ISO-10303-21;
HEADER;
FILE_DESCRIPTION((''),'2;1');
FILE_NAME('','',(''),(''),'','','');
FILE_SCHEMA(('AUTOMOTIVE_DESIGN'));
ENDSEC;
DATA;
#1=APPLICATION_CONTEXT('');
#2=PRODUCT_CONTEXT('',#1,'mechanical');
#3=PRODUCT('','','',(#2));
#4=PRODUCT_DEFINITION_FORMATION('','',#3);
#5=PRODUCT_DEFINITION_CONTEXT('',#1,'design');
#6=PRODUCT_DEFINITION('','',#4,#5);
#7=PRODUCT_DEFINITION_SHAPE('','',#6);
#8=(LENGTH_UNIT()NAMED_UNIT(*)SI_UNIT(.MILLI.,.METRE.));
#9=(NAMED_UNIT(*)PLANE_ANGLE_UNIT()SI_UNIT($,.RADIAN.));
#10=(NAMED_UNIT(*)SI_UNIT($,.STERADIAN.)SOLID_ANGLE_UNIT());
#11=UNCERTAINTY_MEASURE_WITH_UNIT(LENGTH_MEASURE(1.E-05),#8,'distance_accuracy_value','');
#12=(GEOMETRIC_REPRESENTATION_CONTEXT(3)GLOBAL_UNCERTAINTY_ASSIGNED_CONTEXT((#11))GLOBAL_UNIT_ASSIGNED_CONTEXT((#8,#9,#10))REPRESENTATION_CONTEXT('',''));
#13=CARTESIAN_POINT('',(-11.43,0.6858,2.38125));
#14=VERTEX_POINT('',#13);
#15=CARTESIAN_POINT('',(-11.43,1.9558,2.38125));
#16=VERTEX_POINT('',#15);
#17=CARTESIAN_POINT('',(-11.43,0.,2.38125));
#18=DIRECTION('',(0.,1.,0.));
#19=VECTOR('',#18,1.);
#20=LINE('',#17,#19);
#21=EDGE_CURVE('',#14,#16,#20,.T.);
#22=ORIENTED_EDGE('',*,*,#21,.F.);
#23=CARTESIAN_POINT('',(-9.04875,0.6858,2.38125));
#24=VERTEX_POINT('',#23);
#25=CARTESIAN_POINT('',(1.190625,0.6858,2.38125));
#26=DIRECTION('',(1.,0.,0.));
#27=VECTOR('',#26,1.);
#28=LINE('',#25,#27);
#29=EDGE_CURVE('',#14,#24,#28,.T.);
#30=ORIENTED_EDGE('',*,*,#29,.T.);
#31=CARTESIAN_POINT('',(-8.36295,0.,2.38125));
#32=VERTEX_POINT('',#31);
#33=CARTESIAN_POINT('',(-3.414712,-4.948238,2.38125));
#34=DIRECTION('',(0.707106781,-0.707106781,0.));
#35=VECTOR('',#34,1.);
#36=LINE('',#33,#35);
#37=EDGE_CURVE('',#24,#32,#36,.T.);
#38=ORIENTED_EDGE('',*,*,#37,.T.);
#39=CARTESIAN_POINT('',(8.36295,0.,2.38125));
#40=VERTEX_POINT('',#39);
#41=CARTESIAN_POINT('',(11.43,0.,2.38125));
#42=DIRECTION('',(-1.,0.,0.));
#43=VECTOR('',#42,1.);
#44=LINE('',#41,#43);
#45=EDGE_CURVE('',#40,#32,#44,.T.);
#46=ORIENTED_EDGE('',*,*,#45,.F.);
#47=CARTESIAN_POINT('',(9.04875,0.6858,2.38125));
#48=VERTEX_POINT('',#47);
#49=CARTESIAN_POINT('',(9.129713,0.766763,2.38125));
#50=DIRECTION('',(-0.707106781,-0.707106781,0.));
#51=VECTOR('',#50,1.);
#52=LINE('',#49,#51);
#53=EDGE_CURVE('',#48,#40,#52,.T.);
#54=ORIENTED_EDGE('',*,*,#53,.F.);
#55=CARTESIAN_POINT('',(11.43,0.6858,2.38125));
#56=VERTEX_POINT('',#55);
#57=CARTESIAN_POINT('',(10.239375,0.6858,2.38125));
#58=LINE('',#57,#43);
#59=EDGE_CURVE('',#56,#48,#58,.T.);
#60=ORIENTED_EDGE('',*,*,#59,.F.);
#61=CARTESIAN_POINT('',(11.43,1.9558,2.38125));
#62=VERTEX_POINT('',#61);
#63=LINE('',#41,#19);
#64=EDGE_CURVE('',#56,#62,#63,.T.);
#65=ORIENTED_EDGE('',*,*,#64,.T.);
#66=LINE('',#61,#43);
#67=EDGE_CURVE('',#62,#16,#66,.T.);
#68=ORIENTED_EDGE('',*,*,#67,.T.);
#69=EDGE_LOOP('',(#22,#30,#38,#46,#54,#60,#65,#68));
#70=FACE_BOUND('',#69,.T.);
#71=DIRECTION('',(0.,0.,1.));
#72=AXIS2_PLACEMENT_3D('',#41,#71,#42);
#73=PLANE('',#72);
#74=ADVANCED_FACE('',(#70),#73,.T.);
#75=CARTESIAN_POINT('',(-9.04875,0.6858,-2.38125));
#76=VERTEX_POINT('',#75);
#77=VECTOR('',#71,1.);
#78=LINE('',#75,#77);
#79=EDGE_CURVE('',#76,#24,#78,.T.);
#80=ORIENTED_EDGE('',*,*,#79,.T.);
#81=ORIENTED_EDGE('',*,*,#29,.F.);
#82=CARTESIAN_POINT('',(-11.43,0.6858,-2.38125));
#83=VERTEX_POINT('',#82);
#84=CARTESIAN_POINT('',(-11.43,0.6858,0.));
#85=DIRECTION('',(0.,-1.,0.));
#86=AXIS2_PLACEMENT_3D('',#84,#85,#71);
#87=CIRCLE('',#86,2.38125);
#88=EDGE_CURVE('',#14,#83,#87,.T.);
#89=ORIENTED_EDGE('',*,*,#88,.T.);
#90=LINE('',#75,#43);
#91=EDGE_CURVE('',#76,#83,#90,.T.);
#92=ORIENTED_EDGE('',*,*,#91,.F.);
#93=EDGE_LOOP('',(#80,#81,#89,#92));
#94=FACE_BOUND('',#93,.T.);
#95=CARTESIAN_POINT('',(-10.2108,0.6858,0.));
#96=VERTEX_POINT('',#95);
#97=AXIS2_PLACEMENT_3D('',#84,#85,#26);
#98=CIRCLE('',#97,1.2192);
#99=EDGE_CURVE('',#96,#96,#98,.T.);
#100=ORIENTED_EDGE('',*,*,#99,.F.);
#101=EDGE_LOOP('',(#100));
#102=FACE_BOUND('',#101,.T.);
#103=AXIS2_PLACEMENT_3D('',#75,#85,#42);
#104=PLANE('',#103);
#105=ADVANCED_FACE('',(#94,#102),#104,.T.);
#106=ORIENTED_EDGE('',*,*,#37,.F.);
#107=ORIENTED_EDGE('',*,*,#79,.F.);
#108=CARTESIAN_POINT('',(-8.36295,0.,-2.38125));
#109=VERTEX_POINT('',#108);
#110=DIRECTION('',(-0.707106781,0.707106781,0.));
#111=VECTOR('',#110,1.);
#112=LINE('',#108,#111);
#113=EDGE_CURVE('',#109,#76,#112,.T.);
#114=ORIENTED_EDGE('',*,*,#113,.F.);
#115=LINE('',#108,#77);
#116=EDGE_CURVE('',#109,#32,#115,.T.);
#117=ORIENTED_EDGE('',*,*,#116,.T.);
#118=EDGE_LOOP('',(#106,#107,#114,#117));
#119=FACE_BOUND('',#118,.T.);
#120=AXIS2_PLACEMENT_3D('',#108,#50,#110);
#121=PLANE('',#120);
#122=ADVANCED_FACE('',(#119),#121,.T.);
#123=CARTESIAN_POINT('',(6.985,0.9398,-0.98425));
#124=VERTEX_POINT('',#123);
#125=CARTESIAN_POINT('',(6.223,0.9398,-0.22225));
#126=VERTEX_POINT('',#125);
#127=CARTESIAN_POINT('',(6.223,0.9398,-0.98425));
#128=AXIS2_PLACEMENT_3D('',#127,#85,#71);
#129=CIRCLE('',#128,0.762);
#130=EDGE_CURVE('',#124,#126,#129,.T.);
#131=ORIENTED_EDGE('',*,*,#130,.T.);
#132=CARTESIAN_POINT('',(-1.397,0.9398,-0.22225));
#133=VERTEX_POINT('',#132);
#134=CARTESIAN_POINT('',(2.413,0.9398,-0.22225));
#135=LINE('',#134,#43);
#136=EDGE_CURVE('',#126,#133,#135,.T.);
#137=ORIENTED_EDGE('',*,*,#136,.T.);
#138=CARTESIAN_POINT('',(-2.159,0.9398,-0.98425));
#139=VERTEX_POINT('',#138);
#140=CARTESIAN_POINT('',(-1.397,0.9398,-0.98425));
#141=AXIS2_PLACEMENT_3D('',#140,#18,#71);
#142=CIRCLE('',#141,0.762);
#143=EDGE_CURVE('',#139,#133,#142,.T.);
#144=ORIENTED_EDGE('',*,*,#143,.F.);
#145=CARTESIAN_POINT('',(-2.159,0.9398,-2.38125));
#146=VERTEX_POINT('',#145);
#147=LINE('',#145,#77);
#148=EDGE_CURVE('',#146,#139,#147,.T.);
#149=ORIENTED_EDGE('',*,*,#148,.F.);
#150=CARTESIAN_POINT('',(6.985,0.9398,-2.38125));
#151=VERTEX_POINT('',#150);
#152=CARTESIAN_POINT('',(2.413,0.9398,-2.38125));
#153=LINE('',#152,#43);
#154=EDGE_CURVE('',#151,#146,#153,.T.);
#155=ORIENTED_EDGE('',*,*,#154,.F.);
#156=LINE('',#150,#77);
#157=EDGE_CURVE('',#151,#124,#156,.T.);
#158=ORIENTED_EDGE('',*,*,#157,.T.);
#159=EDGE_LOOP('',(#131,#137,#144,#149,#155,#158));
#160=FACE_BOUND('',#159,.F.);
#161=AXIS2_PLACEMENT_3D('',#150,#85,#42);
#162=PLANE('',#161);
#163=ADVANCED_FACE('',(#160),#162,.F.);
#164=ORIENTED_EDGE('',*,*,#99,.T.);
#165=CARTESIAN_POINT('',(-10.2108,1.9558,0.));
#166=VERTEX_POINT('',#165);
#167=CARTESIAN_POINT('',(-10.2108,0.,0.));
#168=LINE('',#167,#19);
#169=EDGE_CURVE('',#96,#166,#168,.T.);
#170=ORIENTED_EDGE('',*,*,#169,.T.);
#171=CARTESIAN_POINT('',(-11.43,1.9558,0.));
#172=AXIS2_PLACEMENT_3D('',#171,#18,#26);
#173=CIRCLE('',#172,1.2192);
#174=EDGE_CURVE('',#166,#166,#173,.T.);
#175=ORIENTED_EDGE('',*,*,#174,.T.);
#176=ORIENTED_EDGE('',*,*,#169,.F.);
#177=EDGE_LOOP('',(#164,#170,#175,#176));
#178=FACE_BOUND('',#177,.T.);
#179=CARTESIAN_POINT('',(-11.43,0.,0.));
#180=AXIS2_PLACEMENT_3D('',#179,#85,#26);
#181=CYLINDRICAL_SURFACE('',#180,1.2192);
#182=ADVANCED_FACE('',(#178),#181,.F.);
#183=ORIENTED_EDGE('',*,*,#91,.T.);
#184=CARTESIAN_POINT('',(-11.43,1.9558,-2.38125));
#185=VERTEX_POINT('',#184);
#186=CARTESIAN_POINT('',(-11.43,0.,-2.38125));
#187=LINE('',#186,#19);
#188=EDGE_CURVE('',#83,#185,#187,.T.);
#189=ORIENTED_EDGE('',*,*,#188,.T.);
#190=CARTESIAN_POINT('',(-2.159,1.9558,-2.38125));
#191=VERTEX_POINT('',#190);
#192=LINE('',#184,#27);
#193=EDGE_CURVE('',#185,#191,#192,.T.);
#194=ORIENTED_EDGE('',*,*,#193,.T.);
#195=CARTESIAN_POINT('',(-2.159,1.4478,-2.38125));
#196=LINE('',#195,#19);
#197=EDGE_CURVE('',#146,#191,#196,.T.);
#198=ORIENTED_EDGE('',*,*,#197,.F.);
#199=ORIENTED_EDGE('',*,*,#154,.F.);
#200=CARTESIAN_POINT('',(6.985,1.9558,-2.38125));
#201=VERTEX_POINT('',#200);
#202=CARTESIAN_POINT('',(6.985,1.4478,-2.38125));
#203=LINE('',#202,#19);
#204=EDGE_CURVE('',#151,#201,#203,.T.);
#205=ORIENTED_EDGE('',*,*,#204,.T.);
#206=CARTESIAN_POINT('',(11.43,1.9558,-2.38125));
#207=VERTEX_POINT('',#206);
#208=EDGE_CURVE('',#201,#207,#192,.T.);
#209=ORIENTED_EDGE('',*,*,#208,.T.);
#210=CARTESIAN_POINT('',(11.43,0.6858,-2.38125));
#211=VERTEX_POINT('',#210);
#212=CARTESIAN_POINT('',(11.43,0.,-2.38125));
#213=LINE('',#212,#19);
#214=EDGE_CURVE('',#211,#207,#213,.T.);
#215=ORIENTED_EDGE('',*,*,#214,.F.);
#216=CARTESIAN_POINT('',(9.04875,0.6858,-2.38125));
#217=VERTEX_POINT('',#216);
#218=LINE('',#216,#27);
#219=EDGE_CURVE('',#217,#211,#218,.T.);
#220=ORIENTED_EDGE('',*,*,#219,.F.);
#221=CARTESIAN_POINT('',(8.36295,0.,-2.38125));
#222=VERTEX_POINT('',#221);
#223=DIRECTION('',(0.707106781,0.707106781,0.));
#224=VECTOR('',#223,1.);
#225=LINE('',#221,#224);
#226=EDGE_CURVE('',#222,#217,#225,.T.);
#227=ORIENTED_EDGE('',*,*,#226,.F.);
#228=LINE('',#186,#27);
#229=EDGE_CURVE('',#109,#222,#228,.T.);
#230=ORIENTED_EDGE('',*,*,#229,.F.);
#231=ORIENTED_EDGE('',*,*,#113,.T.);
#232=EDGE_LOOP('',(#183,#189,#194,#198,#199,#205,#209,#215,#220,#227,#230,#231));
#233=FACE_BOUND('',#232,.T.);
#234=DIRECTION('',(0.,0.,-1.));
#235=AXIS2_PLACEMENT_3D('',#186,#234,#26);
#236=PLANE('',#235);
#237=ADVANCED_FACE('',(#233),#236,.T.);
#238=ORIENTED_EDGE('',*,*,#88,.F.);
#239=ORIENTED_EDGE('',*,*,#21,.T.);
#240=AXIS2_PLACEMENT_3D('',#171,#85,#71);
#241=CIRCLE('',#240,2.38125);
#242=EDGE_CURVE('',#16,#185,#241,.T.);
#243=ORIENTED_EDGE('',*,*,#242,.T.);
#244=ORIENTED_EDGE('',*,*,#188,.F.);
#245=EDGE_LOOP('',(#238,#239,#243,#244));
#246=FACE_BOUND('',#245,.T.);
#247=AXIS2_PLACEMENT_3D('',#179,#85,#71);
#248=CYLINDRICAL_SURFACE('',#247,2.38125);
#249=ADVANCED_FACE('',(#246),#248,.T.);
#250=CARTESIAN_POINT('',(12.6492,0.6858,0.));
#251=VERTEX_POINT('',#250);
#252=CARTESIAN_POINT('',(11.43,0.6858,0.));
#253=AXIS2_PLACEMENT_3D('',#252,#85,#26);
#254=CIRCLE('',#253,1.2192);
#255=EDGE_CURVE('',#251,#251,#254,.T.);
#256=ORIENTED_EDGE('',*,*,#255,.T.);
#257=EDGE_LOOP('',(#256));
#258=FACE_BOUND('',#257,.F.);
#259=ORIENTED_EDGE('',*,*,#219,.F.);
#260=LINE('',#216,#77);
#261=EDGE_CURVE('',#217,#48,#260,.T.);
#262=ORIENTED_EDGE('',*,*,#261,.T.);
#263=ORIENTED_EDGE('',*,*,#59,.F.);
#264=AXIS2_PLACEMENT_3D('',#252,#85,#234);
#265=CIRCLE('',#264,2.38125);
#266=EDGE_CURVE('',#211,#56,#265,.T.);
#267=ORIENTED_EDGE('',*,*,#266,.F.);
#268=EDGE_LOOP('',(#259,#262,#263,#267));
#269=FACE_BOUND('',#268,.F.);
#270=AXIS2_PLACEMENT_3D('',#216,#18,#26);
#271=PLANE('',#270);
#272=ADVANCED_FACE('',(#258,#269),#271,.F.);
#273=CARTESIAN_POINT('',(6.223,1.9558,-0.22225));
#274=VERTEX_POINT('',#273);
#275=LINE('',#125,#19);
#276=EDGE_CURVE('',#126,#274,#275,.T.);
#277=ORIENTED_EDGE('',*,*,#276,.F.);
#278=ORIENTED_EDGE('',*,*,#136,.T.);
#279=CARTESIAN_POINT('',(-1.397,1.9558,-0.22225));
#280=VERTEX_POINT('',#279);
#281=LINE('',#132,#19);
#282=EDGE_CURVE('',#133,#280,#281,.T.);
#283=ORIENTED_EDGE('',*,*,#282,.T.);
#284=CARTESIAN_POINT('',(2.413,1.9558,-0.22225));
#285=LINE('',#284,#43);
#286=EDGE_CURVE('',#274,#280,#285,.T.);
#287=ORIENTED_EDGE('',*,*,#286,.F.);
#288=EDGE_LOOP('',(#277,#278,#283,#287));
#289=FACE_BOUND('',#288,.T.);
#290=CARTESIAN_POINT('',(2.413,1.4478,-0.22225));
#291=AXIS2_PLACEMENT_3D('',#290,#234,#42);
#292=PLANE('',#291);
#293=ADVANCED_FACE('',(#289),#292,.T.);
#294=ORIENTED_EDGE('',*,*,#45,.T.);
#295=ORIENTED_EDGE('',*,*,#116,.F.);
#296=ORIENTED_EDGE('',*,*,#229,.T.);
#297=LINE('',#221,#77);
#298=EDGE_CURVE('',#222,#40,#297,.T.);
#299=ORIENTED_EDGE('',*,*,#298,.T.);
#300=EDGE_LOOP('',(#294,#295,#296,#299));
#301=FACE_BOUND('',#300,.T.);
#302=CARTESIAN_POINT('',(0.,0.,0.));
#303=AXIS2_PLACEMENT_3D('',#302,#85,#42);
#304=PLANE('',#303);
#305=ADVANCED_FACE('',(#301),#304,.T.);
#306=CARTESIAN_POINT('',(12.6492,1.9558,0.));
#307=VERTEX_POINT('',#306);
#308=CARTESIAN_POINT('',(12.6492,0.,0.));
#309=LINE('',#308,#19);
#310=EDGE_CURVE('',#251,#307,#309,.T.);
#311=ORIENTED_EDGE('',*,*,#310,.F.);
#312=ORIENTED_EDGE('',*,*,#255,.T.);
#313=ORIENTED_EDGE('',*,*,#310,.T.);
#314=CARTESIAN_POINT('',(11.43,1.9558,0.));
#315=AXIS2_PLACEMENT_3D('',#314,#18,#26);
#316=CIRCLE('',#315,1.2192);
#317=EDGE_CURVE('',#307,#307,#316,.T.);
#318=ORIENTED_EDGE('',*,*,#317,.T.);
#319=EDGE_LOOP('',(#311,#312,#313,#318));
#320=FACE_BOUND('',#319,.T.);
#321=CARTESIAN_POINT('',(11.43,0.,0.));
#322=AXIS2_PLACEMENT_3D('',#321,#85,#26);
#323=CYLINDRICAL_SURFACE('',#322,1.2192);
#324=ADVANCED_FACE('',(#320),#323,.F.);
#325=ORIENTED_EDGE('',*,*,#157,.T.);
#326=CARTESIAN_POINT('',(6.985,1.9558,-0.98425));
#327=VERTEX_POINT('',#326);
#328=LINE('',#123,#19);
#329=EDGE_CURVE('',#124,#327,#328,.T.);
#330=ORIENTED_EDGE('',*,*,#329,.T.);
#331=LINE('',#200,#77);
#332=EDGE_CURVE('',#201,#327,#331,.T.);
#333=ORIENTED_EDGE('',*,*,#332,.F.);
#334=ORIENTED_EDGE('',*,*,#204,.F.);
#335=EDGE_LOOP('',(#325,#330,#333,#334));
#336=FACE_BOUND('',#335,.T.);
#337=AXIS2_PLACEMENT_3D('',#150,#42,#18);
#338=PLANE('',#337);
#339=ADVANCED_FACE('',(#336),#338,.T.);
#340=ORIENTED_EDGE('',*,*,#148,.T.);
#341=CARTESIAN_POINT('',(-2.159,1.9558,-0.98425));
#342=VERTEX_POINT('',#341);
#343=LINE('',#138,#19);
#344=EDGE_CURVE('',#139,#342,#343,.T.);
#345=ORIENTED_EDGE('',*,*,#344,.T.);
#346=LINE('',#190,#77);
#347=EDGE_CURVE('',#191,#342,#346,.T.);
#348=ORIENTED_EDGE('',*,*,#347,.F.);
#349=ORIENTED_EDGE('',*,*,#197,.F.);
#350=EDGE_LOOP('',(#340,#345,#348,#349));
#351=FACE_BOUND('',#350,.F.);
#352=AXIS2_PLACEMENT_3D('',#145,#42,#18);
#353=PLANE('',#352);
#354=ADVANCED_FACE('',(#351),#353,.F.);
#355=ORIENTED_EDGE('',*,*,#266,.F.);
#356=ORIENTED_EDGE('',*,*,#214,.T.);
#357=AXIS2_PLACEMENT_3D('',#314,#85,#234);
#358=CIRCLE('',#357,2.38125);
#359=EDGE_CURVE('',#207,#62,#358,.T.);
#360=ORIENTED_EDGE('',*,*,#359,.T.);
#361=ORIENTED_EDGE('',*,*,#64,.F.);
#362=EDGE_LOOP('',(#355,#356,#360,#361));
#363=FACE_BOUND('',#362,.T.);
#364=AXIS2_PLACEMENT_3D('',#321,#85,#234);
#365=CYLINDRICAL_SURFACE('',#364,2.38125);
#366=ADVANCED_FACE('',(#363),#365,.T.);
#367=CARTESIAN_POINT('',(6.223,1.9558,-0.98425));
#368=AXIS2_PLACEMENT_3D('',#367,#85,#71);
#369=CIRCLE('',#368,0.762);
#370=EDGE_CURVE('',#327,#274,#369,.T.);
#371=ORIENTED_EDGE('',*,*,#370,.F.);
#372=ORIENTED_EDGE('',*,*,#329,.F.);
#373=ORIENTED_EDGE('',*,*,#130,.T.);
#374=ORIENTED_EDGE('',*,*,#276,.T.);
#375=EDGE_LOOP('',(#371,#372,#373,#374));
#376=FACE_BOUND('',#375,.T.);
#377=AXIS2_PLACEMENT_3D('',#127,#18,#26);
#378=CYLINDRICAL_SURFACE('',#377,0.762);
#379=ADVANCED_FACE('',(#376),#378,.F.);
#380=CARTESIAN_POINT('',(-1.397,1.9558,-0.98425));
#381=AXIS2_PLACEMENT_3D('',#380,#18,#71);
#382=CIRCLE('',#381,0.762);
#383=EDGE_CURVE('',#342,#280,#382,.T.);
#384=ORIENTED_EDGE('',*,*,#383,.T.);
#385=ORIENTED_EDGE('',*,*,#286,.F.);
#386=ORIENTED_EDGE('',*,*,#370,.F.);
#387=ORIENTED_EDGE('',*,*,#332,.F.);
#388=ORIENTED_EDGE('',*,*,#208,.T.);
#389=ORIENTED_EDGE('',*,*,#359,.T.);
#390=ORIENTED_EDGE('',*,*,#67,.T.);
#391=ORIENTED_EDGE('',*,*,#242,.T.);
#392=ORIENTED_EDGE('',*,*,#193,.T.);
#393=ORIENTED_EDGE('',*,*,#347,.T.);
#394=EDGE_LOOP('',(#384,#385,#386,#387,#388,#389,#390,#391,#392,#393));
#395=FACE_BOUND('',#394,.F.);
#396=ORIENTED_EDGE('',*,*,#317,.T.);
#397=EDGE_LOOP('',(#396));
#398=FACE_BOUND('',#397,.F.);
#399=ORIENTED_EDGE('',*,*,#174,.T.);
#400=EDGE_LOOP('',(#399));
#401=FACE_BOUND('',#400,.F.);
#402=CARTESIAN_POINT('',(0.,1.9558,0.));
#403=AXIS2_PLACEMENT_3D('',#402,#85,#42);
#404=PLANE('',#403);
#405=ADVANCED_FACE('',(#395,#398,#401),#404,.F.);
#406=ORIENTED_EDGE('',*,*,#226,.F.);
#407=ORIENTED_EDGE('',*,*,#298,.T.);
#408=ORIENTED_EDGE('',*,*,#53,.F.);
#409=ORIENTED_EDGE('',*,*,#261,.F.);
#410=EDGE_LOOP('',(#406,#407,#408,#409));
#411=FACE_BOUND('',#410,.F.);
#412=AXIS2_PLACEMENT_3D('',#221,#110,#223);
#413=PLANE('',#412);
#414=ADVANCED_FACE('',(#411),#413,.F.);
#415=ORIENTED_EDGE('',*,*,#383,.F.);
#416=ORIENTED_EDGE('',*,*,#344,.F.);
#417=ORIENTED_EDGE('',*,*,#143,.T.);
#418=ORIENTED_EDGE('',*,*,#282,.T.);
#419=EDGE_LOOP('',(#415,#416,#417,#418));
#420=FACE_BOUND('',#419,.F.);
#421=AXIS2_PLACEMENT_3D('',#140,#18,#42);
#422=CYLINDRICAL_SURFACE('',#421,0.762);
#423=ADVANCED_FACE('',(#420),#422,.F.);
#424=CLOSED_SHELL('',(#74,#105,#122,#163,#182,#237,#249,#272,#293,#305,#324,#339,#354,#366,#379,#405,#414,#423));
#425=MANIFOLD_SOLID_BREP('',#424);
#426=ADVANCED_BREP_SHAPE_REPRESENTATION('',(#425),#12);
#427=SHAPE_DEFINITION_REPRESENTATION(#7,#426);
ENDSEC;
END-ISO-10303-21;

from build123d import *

# Parameters (mm, degrees)
SKETCH1_R           = 1.2192
BOSS_EXTRUDE1_DEPTH = 1.9558
SKETCH3_W           = 9.144
SKETCH3_H           = 1.016
CUT_EXTRUDE1_DEPTH  = 2.159
FILLET1_R           = 0.762
CUT_EXTRUDE2_DEPTH  = 5.7625


with BuildPart() as part:
    # Sketch1 → Boss-Extrude1 (new body)
    with BuildSketch(Plane(origin=(0, 0, 0), x_dir=(1, 0, 0), z_dir=(0, 1, 0))):
        with BuildLine():
            Line((-11.43, 2.38125), (11.43, 2.38125))
            ThreePointArc((11.43, 2.38125), (13.81125, 0), (11.43, -2.38125))
            Line((11.43, -2.38125), (-11.43, -2.38125))
            ThreePointArc((-11.43, -2.38125), (-13.81125, 0), (-11.43, 2.38125))
        make_face()
        with Locations((-11.43, 0)):
            Circle(SKETCH1_R, mode=Mode.SUBTRACT)
        with Locations((11.43, 0)):
            Circle(SKETCH1_R, mode=Mode.SUBTRACT)
    extrude(amount=BOSS_EXTRUDE1_DEPTH)

    # Sketch3 → Cut-Extrude1 (cut)
    with BuildSketch(Plane(origin=(0, 0, -2.38125), x_dir=(-1, 0, 0), z_dir=(0, 0, -1))):
        with Locations((-2.413, 1.4478)):
            Rectangle(SKETCH3_W, SKETCH3_H)
    extrude(amount=-CUT_EXTRUDE1_DEPTH, mode=Mode.SUBTRACT)

    # Fillet1
    fillet1_edges = [part.edges().sort_by_distance(p)[0] for p in [
        (6.985, 1.4478, -0.22225),
        (-2.159, 1.4478, -0.22225),
    ]]
    fillet(fillet1_edges, radius=FILLET1_R)

    # Sketch4 → Cut-Extrude2 (cut, through all)
    with BuildSketch(Plane(origin=(0, 0, -2.38125), x_dir=(-1, 0, 0), z_dir=(0, 0, -1))):
        Polygon((-8.36295, 0), (-9.04875, 0.6858), (-14.591138831, 0.6858), (-14.591138831, 0), align=None)
        Polygon((14.591138831, 0.6858), (14.591138831, 0), (8.36295, 0), (9.04875, 0.6858), align=None)
    extrude(amount=-CUT_EXTRUDE2_DEPTH, mode=Mode.SUBTRACT)


solid = part.part
